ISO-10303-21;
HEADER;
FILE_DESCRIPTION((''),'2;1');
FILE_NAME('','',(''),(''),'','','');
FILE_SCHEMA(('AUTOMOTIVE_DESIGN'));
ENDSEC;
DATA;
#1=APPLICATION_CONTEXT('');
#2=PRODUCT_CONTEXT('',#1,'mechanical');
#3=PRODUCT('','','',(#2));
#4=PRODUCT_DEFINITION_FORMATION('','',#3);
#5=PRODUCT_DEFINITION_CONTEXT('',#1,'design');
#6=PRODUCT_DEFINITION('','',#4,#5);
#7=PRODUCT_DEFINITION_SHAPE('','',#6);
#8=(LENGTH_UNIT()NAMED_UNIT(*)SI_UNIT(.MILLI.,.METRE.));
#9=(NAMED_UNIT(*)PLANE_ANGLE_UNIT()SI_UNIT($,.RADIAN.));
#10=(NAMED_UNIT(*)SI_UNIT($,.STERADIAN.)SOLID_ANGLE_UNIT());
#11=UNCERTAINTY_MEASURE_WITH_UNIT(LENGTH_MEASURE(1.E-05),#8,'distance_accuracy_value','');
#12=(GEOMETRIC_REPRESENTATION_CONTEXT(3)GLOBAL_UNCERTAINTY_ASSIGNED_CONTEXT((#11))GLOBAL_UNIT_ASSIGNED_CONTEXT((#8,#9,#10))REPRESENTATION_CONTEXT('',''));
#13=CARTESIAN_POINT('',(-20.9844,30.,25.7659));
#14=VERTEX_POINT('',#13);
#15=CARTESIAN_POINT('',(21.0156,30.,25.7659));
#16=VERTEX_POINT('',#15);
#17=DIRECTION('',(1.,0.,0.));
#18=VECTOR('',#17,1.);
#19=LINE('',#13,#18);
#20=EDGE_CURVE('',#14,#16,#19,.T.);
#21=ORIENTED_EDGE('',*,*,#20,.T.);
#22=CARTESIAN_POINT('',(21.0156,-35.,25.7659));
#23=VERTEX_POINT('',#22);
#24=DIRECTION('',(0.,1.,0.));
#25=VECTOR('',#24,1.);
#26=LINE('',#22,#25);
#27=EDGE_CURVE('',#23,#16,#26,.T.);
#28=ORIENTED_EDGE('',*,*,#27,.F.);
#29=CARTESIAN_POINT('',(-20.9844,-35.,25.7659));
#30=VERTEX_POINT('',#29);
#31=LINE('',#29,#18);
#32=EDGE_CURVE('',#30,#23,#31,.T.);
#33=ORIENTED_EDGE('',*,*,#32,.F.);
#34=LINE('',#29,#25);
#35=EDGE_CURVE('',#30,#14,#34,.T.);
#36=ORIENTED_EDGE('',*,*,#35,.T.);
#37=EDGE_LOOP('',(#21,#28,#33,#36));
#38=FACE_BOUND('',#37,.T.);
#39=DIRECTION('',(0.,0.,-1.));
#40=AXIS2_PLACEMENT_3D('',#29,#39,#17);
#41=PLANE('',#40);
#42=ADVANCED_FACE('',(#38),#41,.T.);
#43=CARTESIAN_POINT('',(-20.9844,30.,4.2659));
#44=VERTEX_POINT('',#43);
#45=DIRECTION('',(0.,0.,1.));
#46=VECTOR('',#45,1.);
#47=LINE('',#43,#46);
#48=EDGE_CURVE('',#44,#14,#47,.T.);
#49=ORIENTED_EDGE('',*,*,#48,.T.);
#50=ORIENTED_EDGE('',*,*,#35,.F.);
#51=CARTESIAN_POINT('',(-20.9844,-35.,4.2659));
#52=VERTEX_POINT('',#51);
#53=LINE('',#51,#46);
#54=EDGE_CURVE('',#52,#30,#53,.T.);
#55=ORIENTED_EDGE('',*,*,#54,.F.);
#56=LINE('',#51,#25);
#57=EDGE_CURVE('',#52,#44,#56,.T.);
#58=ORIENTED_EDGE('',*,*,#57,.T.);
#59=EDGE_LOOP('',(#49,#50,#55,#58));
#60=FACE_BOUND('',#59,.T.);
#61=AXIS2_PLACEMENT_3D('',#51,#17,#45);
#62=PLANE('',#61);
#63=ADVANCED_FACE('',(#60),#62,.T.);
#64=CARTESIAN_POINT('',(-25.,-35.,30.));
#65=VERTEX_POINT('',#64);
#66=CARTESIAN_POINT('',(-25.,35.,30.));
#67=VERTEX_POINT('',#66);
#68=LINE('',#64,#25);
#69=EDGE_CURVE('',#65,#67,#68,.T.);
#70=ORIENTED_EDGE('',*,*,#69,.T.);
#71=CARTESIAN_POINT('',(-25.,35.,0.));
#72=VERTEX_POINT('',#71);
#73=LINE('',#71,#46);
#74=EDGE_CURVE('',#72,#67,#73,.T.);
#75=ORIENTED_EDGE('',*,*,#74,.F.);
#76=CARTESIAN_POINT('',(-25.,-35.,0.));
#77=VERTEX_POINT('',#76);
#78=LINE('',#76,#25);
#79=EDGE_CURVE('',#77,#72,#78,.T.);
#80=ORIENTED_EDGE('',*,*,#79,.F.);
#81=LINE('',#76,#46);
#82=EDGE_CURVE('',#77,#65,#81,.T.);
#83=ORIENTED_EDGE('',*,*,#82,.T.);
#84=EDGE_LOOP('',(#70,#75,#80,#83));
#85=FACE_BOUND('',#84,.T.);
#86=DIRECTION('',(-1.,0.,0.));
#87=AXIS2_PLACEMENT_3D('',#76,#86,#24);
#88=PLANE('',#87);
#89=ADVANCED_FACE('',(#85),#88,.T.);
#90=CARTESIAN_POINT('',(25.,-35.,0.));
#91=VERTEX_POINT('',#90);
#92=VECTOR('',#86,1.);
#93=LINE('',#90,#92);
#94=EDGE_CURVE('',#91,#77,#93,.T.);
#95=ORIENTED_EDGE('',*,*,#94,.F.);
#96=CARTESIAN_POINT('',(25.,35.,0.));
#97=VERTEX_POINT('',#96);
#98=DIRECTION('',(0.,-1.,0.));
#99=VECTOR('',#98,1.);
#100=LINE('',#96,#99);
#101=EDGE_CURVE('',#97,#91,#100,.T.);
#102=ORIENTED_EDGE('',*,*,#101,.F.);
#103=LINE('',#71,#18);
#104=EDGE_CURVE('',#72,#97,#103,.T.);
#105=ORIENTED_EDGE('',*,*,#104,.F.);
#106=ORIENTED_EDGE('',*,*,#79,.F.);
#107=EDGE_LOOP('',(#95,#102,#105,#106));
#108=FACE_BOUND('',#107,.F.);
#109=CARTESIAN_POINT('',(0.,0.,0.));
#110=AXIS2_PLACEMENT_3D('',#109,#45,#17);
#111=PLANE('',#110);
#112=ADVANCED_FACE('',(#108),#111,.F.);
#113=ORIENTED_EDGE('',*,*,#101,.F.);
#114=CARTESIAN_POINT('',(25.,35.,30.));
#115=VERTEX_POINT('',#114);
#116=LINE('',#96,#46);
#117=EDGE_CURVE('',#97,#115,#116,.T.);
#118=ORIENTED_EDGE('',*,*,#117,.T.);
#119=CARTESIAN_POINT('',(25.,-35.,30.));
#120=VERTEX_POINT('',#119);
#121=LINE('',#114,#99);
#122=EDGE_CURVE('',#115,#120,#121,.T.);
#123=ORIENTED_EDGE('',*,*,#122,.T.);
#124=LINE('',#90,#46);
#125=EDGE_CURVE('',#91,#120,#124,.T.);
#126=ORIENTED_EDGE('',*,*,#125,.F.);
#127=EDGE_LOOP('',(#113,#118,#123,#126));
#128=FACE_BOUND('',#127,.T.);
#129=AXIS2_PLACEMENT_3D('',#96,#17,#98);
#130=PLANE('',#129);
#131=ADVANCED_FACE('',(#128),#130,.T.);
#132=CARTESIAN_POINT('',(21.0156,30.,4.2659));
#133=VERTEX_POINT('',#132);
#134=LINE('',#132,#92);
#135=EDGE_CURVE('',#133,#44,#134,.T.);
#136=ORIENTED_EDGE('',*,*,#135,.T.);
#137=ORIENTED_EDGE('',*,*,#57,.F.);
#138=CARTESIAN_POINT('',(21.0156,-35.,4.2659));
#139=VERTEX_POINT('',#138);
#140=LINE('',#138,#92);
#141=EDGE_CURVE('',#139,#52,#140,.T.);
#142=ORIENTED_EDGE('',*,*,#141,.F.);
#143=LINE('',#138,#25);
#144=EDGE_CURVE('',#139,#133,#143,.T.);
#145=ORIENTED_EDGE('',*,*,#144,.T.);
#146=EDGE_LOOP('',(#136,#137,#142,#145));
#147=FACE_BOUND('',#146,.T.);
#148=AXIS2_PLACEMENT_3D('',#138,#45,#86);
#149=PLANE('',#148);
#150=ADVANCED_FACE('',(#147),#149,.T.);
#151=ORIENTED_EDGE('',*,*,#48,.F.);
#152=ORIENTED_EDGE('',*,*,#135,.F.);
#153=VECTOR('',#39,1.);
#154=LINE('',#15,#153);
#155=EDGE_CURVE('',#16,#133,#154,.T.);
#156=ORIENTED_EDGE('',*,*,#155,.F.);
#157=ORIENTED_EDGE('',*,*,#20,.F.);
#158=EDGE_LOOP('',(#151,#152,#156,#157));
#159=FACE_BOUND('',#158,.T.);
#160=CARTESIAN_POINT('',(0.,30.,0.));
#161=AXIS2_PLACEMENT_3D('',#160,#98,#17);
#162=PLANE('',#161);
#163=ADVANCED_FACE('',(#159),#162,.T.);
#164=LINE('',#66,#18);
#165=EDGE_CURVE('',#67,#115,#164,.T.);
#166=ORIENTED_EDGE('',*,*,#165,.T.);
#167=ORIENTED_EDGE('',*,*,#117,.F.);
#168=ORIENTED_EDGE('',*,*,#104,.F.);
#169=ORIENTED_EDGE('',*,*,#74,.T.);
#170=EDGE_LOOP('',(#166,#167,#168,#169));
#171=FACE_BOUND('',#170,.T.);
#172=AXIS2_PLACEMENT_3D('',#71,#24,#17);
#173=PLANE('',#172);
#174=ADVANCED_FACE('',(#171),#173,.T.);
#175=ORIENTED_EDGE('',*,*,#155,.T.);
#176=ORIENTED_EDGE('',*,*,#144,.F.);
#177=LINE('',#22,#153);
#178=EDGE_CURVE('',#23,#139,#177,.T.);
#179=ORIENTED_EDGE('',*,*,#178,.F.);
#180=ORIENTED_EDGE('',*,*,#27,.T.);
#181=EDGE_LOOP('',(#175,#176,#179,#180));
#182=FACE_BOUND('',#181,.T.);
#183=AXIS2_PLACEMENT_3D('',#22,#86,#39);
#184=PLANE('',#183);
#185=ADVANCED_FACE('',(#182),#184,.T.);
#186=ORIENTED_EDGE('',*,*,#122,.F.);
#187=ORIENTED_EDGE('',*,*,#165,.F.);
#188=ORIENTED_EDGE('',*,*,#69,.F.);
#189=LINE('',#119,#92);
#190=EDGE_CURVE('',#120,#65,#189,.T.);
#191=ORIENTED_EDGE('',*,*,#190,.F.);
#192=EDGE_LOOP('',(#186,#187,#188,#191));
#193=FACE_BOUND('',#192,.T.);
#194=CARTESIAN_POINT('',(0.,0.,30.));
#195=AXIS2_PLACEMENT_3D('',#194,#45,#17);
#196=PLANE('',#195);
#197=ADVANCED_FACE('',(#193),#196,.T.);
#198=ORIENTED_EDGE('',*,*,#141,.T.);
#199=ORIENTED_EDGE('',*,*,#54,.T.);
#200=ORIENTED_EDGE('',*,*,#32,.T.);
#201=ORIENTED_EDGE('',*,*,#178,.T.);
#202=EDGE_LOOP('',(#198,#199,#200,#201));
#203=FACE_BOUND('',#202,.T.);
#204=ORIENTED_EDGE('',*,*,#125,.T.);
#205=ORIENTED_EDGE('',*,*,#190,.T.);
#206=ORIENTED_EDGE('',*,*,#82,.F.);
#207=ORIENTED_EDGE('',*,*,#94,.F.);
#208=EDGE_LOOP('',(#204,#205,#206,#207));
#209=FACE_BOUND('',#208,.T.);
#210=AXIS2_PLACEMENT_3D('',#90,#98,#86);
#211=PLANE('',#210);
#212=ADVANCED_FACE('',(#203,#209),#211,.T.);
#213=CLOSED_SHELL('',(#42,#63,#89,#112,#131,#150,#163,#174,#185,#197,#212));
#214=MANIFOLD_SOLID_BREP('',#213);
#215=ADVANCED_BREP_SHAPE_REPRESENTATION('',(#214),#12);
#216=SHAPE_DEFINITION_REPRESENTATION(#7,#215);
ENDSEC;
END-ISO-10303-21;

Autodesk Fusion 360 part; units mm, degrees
sketch "Sketch1" plane through (0, 0, 0) normal (0, 0, 1) x (1, 0, 0)
  line L0 (25, -35) -> (-25, -35)
  line L1 (-25, -35) -> (-25, 35)
  line L2 (-25, 35) -> (25, 35)
  line L3 (25, 35) -> (25, -35)
  line L4 (25, -35) -> (-25, 35) construction
  line L5 (-25, -35) -> (25, 35) construction
  dimension "d1" = 50
  dimension "d2" = 70
extrude "Extrude1" add sketch "Sketch1" along normal blind 30
sketch "Sketch2" plane through (0, 35, 0) normal (0, 1, 0) x (-1, 0, 0)
  line L0 (-25, 0) -> (25, 0)
  line L1 (25, 0) -> (25, 30)
  line L2 (25, 30) -> (-25, 30)
  line L3 (-25, 30) -> (-25, 0)
sketch "Sketch3" plane through (0, -35, 0) normal (0, -1, 0) x (1, 0, 0)
  line L0 (-25, 0) -> (25, 0)
  line L1 (25, 0) -> (25, 30)
  line L2 (25, 30) -> (-25, 30)
  line L3 (-25, 30) -> (-25, 0)
  line L4 (-20.9844, 25.7659) -> (21.0156, 25.7659)
  line L5 (21.0156, 25.7659) -> (21.0156, 4.2659)
  line L6 (21.0156, 4.2659) -> (-20.9844, 4.2659)
  line L7 (-20.9844, 4.2659) -> (-20.9844, 25.7659)
  dimension "d5" = 42
  dimension "d6" = 21.5
extrude "Extrude2" cut sketch "Sketch3" against normal blind 65 contours L4 L5 L6 L7
